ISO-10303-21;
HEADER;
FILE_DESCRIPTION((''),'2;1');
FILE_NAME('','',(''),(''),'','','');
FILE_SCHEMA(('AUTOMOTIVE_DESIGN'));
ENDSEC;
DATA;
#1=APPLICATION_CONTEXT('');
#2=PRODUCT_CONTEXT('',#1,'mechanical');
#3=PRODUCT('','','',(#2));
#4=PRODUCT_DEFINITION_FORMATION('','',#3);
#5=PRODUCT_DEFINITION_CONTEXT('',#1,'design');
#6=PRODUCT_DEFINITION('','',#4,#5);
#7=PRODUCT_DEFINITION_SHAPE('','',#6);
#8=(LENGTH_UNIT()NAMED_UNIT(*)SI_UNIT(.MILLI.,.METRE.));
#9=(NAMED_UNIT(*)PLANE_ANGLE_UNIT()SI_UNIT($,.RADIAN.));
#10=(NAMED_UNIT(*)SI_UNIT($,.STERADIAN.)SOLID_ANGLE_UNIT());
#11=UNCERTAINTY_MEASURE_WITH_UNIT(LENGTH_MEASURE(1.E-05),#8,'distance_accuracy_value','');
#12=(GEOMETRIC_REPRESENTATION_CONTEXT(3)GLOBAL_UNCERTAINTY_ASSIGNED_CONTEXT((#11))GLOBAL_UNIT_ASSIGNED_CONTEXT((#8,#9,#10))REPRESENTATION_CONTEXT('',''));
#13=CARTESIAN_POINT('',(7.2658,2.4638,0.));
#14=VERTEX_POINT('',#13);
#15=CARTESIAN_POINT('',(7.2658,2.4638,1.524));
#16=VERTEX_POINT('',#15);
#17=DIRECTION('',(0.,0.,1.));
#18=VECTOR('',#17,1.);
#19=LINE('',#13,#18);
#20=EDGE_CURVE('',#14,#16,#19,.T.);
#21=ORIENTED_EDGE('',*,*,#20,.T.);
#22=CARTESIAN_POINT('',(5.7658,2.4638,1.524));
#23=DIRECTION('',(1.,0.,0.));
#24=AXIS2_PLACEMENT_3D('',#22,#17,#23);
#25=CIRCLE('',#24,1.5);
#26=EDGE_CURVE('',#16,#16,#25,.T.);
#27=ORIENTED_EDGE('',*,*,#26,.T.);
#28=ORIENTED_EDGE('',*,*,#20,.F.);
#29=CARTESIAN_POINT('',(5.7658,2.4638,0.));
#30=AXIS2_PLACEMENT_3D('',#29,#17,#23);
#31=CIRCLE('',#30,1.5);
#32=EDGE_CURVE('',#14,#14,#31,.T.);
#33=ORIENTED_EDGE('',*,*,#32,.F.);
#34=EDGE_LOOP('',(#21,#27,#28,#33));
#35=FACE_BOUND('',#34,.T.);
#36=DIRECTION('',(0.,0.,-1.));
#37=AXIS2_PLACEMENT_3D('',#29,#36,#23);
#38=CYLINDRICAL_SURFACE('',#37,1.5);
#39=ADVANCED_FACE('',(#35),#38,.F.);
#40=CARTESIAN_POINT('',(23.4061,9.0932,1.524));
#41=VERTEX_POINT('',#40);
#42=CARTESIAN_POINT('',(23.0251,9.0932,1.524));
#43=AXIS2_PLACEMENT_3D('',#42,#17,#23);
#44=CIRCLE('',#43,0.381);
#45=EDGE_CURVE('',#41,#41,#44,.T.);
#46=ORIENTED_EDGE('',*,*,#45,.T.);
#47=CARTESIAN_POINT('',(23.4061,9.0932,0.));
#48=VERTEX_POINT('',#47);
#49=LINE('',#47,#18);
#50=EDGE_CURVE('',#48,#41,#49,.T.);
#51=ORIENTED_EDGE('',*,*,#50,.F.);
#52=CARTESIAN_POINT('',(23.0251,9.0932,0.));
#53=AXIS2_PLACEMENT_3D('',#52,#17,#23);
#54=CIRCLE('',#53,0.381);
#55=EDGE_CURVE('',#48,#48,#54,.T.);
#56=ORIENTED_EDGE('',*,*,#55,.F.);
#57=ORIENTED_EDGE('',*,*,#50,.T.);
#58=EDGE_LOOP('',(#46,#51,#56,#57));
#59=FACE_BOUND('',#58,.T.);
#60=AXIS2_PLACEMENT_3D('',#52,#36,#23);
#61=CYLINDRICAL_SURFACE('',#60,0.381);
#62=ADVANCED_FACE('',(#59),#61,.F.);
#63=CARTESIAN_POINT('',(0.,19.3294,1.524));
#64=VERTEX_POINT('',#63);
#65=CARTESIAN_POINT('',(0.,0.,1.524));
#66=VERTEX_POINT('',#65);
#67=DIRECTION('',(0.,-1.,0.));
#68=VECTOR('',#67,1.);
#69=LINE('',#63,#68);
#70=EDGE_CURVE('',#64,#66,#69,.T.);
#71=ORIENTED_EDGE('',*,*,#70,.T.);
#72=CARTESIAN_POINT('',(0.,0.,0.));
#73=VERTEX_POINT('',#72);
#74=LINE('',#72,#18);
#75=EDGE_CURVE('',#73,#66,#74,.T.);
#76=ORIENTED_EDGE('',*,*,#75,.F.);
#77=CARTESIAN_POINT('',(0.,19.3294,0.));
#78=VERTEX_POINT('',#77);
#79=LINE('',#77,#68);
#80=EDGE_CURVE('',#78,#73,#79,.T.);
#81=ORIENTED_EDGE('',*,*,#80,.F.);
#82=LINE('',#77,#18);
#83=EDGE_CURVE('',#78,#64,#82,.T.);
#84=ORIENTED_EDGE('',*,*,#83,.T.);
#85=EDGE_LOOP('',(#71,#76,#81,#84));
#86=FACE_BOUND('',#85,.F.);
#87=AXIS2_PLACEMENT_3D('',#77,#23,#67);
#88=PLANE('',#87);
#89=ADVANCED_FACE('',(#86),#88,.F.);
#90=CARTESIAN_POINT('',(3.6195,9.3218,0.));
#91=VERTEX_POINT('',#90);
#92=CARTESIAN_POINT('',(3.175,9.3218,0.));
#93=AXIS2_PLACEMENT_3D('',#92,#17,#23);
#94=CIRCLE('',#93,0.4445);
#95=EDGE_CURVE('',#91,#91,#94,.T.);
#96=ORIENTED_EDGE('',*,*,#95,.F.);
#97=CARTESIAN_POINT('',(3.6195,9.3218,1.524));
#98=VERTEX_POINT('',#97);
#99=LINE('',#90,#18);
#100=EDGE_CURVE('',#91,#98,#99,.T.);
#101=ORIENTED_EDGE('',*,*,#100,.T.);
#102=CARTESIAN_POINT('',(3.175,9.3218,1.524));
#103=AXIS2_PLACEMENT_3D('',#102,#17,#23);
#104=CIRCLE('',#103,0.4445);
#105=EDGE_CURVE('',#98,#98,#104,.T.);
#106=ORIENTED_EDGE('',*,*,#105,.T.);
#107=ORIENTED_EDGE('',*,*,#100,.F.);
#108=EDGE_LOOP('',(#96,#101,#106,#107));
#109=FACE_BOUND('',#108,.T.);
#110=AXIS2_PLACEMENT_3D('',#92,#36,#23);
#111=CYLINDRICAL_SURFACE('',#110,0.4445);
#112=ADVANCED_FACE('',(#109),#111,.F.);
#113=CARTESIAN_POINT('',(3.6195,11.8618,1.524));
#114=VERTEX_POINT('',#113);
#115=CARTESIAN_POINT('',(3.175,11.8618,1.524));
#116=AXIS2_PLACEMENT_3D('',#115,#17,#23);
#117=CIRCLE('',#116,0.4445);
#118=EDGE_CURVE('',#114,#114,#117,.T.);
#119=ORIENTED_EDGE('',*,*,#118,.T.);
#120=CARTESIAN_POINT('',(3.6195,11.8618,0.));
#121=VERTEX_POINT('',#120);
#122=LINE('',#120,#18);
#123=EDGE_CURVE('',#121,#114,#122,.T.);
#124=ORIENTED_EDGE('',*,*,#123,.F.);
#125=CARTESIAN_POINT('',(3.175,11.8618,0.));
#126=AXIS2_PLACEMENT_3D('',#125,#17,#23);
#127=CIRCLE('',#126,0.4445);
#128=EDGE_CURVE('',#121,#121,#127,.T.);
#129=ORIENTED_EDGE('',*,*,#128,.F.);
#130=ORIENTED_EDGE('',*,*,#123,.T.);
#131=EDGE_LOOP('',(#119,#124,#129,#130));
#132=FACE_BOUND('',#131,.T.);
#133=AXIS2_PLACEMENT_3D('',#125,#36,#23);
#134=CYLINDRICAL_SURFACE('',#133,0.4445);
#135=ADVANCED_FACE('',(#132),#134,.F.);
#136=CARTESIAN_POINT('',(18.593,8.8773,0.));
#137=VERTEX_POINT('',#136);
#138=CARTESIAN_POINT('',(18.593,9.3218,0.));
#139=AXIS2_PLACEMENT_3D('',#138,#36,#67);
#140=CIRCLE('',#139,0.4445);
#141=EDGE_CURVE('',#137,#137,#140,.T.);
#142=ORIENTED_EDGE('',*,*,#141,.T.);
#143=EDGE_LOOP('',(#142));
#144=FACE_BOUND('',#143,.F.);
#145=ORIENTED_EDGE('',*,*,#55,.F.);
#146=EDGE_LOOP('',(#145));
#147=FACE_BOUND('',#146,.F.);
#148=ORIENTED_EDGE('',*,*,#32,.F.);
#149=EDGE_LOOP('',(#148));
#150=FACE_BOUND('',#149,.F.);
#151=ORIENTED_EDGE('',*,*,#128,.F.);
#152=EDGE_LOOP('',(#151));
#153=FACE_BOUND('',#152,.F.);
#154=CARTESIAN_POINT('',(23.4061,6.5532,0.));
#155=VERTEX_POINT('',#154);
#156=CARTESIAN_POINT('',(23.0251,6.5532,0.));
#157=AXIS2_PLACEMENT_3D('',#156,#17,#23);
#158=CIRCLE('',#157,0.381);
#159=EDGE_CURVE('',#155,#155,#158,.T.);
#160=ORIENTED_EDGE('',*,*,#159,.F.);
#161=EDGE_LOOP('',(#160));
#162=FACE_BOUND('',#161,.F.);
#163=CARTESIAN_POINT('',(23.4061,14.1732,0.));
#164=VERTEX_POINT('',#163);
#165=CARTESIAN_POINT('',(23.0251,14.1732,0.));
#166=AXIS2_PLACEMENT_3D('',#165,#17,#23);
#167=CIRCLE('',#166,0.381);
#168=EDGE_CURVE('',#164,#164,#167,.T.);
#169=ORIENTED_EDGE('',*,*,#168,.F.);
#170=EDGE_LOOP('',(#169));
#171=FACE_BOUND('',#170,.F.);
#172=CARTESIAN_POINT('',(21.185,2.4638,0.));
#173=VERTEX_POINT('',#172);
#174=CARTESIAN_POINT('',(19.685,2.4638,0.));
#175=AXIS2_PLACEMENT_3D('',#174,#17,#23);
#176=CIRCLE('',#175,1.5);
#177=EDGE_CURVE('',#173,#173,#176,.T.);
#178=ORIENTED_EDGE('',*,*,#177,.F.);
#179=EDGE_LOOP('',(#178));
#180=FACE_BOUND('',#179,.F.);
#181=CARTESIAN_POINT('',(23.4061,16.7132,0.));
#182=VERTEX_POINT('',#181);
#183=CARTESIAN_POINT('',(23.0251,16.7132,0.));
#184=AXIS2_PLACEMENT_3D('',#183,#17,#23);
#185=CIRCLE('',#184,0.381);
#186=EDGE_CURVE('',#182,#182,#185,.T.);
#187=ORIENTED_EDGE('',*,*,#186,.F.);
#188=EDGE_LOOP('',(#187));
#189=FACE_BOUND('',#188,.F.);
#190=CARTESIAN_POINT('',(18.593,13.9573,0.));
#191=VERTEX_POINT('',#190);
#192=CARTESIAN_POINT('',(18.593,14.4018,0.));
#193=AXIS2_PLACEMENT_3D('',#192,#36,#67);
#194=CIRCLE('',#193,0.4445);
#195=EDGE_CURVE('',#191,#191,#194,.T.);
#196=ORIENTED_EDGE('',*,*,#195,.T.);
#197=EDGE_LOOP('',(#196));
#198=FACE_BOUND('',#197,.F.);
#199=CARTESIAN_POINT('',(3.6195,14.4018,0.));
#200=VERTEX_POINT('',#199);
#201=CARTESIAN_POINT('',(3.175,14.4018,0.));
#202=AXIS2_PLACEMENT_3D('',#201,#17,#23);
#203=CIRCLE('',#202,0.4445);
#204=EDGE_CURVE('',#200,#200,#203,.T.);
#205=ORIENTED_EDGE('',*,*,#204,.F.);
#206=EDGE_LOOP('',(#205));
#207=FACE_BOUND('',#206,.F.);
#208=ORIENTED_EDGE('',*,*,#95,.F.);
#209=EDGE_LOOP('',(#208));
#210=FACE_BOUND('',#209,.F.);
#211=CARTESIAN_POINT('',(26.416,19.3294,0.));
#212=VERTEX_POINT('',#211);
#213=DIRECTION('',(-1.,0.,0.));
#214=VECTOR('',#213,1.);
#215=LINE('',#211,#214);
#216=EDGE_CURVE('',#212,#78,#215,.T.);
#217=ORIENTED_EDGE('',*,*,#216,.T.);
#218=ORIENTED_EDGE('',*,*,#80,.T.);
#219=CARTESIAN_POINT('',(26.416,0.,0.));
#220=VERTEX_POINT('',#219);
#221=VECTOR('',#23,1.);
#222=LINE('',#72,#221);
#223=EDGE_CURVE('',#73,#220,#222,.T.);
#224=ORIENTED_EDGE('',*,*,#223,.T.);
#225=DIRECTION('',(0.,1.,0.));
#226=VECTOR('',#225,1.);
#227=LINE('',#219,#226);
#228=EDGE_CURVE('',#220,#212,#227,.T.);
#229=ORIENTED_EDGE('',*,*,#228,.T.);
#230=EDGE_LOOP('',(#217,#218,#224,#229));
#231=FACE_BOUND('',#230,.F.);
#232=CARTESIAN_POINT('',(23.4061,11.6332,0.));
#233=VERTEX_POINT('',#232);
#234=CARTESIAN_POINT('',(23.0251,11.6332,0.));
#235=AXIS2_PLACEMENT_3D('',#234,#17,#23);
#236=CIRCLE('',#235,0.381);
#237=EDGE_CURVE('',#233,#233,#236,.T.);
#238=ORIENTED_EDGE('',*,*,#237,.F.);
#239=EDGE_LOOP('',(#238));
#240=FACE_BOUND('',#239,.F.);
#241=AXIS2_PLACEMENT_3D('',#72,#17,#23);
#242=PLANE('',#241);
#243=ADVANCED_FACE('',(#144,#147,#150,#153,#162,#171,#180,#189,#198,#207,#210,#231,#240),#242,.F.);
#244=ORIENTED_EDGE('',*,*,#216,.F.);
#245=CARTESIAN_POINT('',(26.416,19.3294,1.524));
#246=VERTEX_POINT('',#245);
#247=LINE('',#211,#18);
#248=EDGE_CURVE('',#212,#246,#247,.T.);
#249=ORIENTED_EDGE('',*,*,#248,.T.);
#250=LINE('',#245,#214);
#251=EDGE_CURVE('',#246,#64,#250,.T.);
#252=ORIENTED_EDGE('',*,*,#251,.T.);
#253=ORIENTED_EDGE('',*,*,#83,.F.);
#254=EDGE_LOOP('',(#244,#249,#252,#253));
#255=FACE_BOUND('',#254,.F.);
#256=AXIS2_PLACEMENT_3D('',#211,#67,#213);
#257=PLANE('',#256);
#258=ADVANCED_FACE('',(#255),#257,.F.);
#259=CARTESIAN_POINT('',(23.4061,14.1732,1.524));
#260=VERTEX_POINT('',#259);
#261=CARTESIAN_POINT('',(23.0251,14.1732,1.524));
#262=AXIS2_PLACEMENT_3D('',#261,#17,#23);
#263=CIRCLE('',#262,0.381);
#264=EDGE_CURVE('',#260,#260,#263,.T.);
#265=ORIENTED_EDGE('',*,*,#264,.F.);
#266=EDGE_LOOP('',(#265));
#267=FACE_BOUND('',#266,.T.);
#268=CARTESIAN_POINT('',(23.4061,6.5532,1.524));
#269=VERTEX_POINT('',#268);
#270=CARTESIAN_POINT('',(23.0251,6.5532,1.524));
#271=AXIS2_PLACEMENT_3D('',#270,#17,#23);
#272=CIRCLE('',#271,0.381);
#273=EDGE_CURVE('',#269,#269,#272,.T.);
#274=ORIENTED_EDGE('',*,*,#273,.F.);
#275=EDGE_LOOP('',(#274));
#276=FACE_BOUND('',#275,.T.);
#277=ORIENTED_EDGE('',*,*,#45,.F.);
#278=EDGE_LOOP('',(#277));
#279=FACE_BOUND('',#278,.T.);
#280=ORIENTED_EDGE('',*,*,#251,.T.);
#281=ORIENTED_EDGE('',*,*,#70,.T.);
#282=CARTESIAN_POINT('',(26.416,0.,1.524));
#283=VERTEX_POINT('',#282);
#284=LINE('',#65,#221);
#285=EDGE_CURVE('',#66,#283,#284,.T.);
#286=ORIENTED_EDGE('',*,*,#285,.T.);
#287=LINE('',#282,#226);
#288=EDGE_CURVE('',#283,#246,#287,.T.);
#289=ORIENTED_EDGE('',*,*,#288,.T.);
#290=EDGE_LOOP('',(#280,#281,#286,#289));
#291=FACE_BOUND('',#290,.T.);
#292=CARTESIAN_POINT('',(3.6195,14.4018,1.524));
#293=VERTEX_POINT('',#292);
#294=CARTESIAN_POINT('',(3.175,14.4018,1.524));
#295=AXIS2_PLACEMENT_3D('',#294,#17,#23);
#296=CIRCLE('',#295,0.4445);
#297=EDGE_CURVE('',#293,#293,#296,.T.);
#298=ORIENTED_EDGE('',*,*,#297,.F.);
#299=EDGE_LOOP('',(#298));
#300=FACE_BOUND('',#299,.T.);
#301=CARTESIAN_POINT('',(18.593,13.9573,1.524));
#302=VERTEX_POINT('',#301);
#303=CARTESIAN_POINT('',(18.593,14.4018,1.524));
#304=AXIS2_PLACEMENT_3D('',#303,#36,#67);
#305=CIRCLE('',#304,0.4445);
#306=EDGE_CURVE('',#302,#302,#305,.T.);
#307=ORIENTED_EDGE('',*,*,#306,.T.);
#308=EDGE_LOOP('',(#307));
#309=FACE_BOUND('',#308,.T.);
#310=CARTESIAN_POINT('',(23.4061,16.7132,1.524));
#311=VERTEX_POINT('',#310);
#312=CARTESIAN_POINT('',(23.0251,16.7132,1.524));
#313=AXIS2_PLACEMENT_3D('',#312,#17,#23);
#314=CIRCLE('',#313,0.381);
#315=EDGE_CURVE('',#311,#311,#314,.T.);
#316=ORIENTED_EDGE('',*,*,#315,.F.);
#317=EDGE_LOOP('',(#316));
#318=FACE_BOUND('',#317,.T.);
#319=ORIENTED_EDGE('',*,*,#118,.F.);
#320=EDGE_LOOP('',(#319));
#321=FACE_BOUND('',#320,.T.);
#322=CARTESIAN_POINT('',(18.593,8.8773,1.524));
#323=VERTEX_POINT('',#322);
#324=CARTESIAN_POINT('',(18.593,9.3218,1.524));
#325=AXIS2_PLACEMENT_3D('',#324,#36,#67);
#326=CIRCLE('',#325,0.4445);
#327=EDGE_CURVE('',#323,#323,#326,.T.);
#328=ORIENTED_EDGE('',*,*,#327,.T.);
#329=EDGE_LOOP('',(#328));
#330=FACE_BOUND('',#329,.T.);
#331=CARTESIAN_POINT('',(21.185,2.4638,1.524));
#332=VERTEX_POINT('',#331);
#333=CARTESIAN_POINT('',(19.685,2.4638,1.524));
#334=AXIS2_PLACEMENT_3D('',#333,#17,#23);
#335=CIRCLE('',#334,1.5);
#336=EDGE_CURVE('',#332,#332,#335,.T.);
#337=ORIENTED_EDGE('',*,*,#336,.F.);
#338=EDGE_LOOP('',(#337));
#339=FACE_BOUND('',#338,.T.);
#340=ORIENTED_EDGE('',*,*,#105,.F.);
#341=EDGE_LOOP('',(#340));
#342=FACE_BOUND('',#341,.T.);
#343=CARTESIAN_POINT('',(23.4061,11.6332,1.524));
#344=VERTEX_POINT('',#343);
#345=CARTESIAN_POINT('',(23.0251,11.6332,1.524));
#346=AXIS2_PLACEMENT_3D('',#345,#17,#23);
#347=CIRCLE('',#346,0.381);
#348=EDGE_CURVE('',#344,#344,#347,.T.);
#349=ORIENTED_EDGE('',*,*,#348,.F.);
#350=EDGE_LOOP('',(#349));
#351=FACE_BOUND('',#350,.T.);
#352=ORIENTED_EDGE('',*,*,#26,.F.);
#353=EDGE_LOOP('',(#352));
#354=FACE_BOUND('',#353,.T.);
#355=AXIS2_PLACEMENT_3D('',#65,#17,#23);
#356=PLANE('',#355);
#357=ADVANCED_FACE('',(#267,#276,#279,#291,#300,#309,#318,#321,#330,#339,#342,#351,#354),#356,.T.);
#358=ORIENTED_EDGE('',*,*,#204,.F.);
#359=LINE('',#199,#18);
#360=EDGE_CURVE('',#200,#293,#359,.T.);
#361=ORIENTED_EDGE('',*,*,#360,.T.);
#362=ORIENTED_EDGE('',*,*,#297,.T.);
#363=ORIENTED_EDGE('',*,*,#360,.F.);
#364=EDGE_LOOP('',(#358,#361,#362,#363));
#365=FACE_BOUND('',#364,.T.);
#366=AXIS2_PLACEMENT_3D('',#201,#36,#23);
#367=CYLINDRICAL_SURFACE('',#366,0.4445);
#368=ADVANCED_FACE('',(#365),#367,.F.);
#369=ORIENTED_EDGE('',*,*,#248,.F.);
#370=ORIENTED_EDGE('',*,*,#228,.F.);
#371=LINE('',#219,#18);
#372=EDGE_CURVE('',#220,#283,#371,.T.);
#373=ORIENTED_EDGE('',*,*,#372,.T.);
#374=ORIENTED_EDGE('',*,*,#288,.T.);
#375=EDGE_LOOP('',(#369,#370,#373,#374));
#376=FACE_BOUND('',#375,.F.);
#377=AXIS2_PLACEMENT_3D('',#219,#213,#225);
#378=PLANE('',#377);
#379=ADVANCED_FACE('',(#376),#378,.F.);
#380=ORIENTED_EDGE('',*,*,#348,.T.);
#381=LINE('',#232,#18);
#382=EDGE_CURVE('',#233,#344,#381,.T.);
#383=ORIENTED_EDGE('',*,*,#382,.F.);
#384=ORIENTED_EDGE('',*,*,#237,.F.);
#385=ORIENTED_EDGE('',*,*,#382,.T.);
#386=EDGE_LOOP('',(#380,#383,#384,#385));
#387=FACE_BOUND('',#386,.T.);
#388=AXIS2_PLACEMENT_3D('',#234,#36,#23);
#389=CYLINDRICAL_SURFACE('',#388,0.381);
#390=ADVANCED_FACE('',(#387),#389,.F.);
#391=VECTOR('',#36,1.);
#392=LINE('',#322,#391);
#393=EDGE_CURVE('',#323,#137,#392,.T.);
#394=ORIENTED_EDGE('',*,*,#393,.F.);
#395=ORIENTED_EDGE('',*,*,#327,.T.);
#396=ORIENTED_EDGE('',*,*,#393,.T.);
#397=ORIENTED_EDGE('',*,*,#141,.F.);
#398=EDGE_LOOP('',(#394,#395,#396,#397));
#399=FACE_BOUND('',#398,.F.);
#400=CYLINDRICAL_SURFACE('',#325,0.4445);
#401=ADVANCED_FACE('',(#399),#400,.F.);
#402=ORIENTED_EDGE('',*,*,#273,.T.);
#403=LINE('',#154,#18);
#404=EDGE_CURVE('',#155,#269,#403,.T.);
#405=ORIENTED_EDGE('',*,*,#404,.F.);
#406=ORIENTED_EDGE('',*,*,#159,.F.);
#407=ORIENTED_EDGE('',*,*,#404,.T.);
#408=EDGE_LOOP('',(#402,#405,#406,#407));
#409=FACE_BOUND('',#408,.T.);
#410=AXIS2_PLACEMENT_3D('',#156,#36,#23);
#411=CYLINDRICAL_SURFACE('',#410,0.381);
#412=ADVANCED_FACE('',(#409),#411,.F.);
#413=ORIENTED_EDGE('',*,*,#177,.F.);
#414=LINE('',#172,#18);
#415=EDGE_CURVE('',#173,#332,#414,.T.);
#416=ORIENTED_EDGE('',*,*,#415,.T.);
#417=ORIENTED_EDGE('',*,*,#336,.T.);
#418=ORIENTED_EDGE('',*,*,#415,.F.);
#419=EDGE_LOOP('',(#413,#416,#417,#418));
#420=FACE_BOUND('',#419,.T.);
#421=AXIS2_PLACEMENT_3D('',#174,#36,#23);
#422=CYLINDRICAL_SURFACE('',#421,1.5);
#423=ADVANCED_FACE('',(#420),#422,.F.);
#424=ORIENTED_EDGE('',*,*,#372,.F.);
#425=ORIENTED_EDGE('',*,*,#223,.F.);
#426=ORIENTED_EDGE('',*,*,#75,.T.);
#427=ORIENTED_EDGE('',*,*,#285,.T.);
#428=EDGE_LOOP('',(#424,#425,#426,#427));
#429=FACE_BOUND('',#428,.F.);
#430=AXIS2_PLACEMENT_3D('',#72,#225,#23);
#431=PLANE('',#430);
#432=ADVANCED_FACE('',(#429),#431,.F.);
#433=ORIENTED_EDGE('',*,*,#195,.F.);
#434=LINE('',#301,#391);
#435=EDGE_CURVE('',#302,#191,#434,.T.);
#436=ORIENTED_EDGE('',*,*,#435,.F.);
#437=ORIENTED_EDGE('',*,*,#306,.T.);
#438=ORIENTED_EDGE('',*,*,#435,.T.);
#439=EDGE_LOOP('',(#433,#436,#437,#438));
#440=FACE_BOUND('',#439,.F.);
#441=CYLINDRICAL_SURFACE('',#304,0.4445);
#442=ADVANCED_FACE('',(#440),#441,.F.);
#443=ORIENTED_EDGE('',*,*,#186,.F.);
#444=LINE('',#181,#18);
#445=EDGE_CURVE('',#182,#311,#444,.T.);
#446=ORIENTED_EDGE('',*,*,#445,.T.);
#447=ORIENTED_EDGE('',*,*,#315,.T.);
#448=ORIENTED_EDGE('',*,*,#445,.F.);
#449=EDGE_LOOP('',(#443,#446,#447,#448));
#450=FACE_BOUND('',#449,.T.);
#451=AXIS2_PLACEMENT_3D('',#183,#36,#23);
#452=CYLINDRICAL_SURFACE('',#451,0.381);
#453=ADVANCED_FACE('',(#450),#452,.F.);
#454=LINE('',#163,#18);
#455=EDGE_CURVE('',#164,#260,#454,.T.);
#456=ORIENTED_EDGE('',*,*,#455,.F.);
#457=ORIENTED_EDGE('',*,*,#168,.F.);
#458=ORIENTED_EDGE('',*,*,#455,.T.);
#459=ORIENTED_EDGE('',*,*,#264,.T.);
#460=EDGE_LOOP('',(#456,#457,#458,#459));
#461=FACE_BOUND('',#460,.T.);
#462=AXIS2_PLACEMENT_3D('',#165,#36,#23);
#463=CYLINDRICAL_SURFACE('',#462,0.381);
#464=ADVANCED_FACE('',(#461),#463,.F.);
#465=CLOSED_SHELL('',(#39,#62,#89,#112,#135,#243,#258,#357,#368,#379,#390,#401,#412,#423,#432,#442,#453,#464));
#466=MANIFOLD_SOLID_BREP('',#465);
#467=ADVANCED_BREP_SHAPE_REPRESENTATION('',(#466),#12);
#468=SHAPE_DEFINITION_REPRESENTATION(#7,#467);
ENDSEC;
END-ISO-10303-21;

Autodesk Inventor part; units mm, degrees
ref_plane "YZ Plane" through (0, 0, 0) normal (1, 0, 0) x (0, 1, 0)
ref_plane "XZ Plane" through (0, 0, 0) normal (0, 1, 0) x (-1, 0, 0)
ref_plane "XY Plane" through (0, 0, 0) normal (0, 0, 1) x (1, 0, 0)
sketch "Sketch1" plane through (0, 0, 0) normal (0, 0, 1) x (1, 0, 0)
  line L0 (0, 0) -> (26.416, 0)
  line L1 (26.416, 0) -> (26.416, 19.3294)
  line L2 (26.416, 19.3294) -> (0, 19.3294)
  line L3 (0, 19.3294) -> (0, 0)
  circle A0 centre (5.7658, 2.4638) radius 1.5
  circle A1 centre (19.685, 2.4638) radius 1.5
  line L4 (21.8186, 5.2832) -> (24.2316, 5.2832)
  line L5 (24.2316, 5.2832) -> (24.2316, 17.9832)
  line L6 (24.2316, 17.9832) -> (21.8186, 17.9832)
  line L7 (21.8186, 17.9832) -> (21.8186, 5.2832)
  circle A2 centre (23.0251, 6.5532) radius 0.381
  circle A3 centre (23.0251, 9.0932) radius 0.381
  circle A4 centre (23.0251, 11.6332) radius 0.381
  circle A5 centre (23.0251, 14.1732) radius 0.381
  circle A6 centre (23.0251, 16.7132) radius 0.381
  circle A7 centre (3.175, 14.4018) radius 0.4445
  circle A8 centre (3.175, 11.8618) radius 0.4445
  circle A9 centre (3.175, 9.3218) radius 0.4445
  circle A10 centre (18.593, 9.3218) radius 0.4445 projected
  dimension "d0" = 26.416
  dimension "d1" = 19.3294
  dimension "d2" = 3
  dimension "d3" = 3
  dimension "d4" = 5.7658
  dimension "d5" = 2.4638
  dimension "d6" = 13.9192
  dimension "d7" = 6.731
  dimension "d8" = 2.413
  dimension "d9" = 12.7
  dimension "d10" = 5.2832
  dimension "d11" = 2.1844
  dimension "d12" = 1.27
  dimension "d14" = 2.54
  dimension "d15" = 2.54
  dimension "d16" = 2.54
  dimension "d18" = 1.2065
  dimension "d19" = 2.54
  dimension "d20" = 0.762
  dimension "d21" = 0.762
  dimension "d22" = 0.762
  dimension "d23" = 0.762
  dimension "d24" = 0.762
  dimension "d25" = 0.889
  dimension "d26" = 0.889
  dimension "d27" = 0.889
  dimension "d28" = 4.9276
  dimension "d29" = 2.54
  dimension "d30" = 2.54
  dimension "d31" = 3.175
extrude "Extrusion1" add sketch "Sketch1" along normal blind 1.524 contours L3 L2 L1 L0 | L7 L6 L5 L4 | A10
sketch "Sketch3" plane through (0, 0, 1.524) normal (0, 0, 1) x (1, 0, 0)
  arc A0 (18.9807, 14.6193) -> (18.7439, 13.9837) centre (18.593, 14.4018) ccw projected
  circle A1 centre (18.593, 9.3218) radius 0.4445 projected
hole "Hole1" at (18.593, 14.4018, 1.524) at (18.593, 9.3218, 1.524) direction (0, 0, -1) diameter 0.889 end through all
equation "\"d18\" = 0.5 * d8"
equation "\"d26\" = d25"
equation "\"d27\" = d25"
properties part number "pcb"
